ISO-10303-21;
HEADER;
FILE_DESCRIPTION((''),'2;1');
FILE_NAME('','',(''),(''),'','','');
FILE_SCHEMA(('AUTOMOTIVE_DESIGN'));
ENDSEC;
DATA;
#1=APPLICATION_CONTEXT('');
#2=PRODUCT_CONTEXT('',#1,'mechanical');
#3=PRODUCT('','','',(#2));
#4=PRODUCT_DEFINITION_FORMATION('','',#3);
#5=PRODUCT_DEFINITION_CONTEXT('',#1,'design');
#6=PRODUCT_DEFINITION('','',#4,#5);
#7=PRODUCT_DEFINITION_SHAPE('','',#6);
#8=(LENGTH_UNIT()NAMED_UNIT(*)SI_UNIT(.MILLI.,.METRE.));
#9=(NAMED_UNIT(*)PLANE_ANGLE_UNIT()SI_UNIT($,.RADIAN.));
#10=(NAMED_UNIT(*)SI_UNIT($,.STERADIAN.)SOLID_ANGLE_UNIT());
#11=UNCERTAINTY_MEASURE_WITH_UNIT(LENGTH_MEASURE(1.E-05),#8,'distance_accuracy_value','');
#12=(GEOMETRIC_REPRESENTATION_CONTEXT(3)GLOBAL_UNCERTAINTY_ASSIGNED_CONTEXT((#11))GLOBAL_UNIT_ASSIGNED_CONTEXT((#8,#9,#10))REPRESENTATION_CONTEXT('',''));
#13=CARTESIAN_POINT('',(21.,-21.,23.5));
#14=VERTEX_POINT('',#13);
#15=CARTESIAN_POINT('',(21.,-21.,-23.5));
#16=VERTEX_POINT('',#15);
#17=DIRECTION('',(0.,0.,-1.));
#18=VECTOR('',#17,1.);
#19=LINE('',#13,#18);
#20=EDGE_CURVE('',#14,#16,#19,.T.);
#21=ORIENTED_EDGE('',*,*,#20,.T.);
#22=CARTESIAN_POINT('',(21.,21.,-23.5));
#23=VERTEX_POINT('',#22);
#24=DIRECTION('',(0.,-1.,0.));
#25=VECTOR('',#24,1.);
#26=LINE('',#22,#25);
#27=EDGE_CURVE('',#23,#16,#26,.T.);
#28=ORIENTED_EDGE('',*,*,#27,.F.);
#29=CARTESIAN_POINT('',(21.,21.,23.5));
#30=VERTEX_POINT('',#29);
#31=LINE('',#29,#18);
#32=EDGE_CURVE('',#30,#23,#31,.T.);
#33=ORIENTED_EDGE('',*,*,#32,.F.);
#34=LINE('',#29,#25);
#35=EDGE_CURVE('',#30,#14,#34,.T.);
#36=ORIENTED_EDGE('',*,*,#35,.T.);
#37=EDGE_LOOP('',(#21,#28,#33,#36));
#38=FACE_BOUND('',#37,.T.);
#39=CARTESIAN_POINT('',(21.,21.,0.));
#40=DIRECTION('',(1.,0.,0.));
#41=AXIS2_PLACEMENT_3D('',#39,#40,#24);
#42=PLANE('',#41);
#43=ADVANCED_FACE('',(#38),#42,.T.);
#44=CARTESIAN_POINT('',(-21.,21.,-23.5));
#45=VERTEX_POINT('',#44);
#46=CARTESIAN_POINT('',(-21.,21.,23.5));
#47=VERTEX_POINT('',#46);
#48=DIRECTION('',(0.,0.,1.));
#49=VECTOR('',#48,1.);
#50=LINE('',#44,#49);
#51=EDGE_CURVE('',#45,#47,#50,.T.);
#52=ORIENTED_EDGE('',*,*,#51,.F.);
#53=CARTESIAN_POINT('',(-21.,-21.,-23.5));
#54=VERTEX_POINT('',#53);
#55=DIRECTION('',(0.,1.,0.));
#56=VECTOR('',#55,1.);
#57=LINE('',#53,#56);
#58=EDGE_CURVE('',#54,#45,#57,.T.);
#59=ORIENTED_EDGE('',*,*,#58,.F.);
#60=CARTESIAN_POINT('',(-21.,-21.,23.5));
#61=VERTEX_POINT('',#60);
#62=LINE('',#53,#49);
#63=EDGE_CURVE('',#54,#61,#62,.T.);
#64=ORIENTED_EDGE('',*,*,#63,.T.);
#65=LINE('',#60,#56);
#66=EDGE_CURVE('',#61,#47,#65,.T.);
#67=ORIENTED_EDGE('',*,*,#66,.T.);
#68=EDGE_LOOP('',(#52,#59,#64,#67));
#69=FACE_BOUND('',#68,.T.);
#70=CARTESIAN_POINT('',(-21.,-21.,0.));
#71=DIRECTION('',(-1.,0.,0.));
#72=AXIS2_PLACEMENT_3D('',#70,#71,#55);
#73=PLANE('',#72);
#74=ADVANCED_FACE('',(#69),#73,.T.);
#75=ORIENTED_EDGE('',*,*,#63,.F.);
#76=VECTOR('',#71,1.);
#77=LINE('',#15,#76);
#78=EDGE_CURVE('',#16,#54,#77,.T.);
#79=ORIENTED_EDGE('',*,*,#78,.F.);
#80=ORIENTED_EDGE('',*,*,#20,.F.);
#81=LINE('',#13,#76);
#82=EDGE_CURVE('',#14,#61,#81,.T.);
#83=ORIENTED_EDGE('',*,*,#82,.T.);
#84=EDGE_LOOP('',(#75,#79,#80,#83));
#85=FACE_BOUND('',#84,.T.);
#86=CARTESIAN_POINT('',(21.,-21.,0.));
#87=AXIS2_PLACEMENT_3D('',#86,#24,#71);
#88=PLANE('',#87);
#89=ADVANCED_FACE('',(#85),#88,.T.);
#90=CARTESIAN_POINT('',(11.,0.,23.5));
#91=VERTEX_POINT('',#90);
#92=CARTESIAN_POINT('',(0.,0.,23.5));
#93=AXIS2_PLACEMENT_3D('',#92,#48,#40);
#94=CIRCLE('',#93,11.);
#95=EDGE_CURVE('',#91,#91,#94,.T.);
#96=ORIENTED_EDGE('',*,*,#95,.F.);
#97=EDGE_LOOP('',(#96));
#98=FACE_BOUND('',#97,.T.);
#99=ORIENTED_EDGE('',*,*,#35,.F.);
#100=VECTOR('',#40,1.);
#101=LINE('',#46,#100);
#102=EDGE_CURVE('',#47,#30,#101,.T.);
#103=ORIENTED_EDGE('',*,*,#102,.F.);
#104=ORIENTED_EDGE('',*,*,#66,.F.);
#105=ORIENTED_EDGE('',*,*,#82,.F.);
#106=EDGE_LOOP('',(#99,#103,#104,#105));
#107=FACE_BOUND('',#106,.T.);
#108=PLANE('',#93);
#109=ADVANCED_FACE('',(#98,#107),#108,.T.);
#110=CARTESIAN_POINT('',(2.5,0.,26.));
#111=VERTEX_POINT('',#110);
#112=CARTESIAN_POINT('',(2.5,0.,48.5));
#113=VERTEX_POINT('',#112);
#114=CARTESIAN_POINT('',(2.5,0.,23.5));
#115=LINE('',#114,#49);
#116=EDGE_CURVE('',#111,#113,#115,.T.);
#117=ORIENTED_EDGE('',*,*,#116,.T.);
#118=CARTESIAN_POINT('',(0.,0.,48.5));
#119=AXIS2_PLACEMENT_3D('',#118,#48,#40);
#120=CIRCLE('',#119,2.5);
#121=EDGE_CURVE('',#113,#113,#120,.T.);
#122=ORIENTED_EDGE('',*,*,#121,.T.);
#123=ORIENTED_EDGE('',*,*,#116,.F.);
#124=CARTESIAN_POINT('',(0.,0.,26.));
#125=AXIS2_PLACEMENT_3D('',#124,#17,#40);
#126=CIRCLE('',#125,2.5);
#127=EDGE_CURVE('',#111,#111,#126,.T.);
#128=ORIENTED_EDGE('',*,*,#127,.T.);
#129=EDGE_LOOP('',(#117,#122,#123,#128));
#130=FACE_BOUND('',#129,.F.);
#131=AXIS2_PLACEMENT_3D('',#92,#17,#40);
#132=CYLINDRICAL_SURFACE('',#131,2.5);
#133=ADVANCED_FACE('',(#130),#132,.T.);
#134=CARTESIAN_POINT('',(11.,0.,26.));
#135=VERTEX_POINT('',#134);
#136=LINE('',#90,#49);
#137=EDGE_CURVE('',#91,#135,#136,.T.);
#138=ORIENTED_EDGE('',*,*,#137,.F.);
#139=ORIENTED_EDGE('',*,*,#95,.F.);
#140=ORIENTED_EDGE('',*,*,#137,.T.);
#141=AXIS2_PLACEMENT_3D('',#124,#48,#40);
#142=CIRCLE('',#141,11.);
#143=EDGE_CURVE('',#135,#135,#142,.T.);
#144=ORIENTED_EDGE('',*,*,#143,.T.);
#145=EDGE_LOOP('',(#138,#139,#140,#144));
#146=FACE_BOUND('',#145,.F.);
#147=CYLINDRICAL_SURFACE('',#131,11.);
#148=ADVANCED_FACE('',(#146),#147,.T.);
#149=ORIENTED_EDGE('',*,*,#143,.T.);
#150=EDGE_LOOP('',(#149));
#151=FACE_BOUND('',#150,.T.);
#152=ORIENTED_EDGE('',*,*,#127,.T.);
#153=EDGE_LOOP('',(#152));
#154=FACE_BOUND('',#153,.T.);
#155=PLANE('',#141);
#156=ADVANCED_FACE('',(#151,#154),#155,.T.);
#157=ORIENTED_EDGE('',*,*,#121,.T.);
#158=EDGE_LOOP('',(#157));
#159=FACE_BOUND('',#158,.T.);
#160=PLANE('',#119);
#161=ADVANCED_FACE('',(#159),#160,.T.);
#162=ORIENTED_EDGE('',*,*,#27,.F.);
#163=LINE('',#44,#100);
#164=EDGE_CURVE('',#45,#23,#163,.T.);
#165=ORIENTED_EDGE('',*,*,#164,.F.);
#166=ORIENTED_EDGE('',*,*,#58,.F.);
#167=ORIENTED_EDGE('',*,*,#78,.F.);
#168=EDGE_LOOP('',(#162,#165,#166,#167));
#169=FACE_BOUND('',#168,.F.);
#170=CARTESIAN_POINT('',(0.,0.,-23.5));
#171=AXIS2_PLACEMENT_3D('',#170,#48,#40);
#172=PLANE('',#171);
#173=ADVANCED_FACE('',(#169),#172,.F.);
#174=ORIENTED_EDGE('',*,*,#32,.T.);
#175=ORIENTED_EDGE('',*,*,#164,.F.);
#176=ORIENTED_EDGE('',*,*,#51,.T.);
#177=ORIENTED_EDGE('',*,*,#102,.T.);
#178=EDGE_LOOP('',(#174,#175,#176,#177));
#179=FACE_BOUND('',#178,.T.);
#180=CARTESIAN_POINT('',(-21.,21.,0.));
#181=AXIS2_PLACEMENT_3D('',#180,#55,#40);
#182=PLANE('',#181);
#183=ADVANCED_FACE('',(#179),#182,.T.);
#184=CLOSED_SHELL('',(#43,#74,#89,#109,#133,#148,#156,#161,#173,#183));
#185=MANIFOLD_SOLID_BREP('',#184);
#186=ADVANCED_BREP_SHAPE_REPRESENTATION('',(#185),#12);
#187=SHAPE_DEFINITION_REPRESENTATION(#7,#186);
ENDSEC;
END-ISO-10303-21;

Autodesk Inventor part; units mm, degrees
ref_plane "YZ Plane" through (0, 0, 0) normal (1, 0, 0) x (0, 1, 0)
ref_plane "XZ Plane" through (0, 0, 0) normal (0, 1, 0) x (-1, 0, 0)
ref_plane "XY Plane" through (0, 0, 0) normal (0, 0, 1) x (1, 0, 0)
sketch "Sketch1" plane through (0, 0, 0) normal (0, 0, 1) x (1, 0, 0)
  line L0 (-21, 21) -> (21, 21)
  line L1 (21, 21) -> (21, -21)
  line L2 (21, -21) -> (-21, -21)
  line L3 (-21, -21) -> (-21, 21)
  line L4 (-21, 21) -> (21, -21) construction
  line L5 (21, 21) -> (-21, -21) construction
  point P0 (0, 0)
  dimension "d0" = 42
  dimension "d1" = 42
extrude "Extrusion1" add sketch "Sketch1" along normal mid plane 47
sketch "Sketch2" plane through (0, 0, 23.5) normal (0, 0, 1) x (1, 0, 0)
  circle A0 centre (0, 0) radius 2.5
  dimension "d4" = 5
extrude "Extrusion2" add sketch "Sketch2" along normal blind 25
sketch "Sketch3" plane through (0, 0, 23.5) normal (0, 0, 1) x (1, 0, 0)
  circle A0 centre (0, 0) radius 11
  dimension "d7" = 22
extrude "Extrusion3" add sketch "Sketch3" along normal blind 2.5
properties part number "NEMA 17 PARA TAPA PRINCIPAL"
